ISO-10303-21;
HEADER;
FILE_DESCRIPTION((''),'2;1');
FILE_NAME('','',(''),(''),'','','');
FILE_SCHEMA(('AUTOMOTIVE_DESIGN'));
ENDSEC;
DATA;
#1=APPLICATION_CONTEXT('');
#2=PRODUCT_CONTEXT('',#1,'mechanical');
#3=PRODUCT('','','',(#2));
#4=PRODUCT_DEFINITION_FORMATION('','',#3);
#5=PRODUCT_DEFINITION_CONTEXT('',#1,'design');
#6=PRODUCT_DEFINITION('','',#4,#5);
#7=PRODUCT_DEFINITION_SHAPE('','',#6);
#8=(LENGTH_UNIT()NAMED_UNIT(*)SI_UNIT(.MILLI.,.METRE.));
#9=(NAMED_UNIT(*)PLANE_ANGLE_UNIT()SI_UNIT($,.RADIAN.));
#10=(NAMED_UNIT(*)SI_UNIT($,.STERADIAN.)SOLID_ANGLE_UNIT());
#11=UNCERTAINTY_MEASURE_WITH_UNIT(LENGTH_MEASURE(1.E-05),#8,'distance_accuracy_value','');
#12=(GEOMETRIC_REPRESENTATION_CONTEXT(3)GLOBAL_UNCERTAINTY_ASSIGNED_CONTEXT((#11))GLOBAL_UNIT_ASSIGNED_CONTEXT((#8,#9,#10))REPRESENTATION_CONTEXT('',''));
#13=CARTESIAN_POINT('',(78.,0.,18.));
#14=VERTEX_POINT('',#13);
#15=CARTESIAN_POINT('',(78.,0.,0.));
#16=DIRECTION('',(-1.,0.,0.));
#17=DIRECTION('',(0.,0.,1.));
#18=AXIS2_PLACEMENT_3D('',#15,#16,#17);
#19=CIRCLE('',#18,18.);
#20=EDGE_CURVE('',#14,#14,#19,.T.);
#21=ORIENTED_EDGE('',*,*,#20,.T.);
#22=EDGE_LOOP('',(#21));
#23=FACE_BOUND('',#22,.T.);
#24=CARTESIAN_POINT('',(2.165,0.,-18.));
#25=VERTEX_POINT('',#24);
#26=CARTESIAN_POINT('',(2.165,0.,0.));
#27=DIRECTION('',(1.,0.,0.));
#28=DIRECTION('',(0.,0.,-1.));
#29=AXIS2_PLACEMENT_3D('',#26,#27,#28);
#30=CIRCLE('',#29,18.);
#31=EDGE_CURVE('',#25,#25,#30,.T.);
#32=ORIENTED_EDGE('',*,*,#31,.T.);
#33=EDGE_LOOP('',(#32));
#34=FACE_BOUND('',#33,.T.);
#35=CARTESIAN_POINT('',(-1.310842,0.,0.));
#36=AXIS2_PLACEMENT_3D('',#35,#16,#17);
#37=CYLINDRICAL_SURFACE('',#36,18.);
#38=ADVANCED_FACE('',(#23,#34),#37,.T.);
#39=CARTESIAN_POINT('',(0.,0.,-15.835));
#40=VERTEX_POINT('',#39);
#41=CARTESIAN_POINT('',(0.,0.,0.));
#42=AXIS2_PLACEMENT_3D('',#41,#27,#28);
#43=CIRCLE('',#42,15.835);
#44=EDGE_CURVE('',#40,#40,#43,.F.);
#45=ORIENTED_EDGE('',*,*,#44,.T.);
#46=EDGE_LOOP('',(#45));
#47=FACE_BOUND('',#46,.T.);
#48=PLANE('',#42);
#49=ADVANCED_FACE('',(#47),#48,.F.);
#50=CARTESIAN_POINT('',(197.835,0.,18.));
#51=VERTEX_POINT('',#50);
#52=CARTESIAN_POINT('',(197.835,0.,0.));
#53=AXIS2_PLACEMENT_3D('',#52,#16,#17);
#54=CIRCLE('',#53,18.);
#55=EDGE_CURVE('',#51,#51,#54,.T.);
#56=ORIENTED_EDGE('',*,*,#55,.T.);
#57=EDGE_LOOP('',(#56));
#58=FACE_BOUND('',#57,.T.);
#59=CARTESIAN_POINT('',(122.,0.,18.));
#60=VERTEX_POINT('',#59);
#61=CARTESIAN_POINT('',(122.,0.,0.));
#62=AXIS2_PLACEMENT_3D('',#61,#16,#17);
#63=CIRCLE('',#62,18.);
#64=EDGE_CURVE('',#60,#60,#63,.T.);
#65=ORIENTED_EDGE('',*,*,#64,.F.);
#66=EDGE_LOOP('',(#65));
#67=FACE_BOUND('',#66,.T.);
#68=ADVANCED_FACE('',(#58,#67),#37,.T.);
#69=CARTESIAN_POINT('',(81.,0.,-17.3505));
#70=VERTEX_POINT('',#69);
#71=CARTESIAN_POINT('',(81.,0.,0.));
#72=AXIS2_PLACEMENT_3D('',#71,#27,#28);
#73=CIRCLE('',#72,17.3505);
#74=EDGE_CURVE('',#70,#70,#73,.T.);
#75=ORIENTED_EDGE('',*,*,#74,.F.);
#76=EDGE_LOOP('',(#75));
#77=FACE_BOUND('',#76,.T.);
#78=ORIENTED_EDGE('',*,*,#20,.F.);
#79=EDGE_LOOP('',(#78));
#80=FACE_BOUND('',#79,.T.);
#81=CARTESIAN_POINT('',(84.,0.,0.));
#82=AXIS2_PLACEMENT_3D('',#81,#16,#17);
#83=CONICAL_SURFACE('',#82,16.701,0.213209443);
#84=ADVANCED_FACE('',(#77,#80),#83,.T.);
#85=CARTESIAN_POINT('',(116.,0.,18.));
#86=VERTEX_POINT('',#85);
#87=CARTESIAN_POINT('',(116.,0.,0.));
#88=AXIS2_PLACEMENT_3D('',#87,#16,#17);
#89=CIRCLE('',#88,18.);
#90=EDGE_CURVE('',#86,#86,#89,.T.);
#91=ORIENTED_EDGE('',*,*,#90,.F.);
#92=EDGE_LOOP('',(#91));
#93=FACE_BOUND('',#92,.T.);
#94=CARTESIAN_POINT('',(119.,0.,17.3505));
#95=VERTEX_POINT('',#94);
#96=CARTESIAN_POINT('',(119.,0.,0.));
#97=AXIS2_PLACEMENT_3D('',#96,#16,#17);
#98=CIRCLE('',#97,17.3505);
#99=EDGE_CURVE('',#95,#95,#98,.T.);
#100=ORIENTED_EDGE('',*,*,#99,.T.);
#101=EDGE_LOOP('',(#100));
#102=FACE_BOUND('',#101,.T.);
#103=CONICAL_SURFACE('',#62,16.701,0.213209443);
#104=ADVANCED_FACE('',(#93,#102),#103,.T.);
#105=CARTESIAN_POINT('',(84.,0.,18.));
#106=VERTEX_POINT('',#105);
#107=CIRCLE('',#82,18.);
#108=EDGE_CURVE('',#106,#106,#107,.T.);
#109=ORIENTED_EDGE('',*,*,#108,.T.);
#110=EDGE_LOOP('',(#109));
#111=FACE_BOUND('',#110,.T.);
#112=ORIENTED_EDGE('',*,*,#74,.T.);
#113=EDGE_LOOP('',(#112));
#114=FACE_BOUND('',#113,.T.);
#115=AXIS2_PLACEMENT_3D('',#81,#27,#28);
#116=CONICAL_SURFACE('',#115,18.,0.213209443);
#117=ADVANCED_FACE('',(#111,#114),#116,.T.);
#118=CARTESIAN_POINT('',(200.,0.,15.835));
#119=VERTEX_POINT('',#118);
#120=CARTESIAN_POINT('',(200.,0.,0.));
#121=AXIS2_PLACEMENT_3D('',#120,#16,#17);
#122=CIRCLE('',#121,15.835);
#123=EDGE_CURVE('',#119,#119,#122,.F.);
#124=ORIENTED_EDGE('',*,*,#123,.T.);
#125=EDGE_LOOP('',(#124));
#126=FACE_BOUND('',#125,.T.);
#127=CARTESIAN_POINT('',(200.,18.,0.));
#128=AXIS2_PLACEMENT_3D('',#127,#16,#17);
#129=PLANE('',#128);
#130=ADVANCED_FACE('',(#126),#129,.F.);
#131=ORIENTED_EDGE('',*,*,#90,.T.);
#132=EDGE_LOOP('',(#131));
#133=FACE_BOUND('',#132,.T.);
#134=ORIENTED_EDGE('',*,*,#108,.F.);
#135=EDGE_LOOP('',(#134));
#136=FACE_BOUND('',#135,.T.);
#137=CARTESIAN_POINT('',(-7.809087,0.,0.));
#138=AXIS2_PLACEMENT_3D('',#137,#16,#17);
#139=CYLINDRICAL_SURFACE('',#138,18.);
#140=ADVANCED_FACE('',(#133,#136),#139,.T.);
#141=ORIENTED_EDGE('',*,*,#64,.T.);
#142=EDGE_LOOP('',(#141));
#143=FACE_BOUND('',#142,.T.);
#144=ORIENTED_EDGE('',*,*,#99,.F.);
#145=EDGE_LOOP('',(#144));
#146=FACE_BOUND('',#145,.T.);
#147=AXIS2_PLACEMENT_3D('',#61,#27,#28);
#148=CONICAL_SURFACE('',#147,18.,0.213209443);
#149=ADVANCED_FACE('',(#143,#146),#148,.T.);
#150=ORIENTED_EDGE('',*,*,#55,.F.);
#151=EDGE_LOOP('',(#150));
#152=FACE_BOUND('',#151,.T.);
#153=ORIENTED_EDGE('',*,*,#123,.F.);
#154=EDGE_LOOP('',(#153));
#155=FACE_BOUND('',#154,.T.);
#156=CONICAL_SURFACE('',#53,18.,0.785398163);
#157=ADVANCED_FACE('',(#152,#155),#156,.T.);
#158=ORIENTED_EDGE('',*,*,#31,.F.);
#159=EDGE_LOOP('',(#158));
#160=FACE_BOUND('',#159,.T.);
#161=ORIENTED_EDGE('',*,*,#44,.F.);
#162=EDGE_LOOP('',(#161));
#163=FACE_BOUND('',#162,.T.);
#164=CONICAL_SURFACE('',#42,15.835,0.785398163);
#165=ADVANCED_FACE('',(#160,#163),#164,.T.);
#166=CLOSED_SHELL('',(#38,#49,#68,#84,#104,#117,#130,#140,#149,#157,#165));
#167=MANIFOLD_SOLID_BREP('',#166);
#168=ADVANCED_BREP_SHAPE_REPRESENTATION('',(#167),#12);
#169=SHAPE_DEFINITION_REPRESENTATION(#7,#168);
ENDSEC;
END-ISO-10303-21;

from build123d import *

# Parameters (mm, degrees)
HEADCHAMFER_SIZE = 2.165


with BuildPart() as part:
    # Sketch1 → Base (revolve)
    with BuildSketch(Plane.XY, mode=Mode.PRIVATE) as base_sk:
        Polygon((0, 0), (0, 18), (78, 18), (84, 16.701), (116, 16.701), (122, 18), (200, 18), (200, 0), align=None)
    revolve(base_sk.sketch.rotate(Axis((-1.310841664, 0, 0), (1, 0, 0)), 90), axis=Axis((-1.310841664, 0, 0), (1, 0, 0)))

    # HeadChamfer
    headchamfer_edges = [part.edges().sort_by_distance(p)[0] for p in [
        (200, 0, -18),
        (0, 0, -18),
    ]]
    chamfer(headchamfer_edges, length=HEADCHAMFER_SIZE)

    # Sketch4 → BaseBody (revolve)
    with BuildSketch(Plane.XY, mode=Mode.PRIVATE) as basebody_sk:
        Polygon((78, 16.701), (84, 18), (116, 18), (122, 16.701), align=None)
    revolve(basebody_sk.sketch.rotate(Axis((-7.809086942, 0, 0), (1, 0, 0)), 90), axis=Axis((-7.809086942, 0, 0), (1, 0, 0)))


solid = part.part
